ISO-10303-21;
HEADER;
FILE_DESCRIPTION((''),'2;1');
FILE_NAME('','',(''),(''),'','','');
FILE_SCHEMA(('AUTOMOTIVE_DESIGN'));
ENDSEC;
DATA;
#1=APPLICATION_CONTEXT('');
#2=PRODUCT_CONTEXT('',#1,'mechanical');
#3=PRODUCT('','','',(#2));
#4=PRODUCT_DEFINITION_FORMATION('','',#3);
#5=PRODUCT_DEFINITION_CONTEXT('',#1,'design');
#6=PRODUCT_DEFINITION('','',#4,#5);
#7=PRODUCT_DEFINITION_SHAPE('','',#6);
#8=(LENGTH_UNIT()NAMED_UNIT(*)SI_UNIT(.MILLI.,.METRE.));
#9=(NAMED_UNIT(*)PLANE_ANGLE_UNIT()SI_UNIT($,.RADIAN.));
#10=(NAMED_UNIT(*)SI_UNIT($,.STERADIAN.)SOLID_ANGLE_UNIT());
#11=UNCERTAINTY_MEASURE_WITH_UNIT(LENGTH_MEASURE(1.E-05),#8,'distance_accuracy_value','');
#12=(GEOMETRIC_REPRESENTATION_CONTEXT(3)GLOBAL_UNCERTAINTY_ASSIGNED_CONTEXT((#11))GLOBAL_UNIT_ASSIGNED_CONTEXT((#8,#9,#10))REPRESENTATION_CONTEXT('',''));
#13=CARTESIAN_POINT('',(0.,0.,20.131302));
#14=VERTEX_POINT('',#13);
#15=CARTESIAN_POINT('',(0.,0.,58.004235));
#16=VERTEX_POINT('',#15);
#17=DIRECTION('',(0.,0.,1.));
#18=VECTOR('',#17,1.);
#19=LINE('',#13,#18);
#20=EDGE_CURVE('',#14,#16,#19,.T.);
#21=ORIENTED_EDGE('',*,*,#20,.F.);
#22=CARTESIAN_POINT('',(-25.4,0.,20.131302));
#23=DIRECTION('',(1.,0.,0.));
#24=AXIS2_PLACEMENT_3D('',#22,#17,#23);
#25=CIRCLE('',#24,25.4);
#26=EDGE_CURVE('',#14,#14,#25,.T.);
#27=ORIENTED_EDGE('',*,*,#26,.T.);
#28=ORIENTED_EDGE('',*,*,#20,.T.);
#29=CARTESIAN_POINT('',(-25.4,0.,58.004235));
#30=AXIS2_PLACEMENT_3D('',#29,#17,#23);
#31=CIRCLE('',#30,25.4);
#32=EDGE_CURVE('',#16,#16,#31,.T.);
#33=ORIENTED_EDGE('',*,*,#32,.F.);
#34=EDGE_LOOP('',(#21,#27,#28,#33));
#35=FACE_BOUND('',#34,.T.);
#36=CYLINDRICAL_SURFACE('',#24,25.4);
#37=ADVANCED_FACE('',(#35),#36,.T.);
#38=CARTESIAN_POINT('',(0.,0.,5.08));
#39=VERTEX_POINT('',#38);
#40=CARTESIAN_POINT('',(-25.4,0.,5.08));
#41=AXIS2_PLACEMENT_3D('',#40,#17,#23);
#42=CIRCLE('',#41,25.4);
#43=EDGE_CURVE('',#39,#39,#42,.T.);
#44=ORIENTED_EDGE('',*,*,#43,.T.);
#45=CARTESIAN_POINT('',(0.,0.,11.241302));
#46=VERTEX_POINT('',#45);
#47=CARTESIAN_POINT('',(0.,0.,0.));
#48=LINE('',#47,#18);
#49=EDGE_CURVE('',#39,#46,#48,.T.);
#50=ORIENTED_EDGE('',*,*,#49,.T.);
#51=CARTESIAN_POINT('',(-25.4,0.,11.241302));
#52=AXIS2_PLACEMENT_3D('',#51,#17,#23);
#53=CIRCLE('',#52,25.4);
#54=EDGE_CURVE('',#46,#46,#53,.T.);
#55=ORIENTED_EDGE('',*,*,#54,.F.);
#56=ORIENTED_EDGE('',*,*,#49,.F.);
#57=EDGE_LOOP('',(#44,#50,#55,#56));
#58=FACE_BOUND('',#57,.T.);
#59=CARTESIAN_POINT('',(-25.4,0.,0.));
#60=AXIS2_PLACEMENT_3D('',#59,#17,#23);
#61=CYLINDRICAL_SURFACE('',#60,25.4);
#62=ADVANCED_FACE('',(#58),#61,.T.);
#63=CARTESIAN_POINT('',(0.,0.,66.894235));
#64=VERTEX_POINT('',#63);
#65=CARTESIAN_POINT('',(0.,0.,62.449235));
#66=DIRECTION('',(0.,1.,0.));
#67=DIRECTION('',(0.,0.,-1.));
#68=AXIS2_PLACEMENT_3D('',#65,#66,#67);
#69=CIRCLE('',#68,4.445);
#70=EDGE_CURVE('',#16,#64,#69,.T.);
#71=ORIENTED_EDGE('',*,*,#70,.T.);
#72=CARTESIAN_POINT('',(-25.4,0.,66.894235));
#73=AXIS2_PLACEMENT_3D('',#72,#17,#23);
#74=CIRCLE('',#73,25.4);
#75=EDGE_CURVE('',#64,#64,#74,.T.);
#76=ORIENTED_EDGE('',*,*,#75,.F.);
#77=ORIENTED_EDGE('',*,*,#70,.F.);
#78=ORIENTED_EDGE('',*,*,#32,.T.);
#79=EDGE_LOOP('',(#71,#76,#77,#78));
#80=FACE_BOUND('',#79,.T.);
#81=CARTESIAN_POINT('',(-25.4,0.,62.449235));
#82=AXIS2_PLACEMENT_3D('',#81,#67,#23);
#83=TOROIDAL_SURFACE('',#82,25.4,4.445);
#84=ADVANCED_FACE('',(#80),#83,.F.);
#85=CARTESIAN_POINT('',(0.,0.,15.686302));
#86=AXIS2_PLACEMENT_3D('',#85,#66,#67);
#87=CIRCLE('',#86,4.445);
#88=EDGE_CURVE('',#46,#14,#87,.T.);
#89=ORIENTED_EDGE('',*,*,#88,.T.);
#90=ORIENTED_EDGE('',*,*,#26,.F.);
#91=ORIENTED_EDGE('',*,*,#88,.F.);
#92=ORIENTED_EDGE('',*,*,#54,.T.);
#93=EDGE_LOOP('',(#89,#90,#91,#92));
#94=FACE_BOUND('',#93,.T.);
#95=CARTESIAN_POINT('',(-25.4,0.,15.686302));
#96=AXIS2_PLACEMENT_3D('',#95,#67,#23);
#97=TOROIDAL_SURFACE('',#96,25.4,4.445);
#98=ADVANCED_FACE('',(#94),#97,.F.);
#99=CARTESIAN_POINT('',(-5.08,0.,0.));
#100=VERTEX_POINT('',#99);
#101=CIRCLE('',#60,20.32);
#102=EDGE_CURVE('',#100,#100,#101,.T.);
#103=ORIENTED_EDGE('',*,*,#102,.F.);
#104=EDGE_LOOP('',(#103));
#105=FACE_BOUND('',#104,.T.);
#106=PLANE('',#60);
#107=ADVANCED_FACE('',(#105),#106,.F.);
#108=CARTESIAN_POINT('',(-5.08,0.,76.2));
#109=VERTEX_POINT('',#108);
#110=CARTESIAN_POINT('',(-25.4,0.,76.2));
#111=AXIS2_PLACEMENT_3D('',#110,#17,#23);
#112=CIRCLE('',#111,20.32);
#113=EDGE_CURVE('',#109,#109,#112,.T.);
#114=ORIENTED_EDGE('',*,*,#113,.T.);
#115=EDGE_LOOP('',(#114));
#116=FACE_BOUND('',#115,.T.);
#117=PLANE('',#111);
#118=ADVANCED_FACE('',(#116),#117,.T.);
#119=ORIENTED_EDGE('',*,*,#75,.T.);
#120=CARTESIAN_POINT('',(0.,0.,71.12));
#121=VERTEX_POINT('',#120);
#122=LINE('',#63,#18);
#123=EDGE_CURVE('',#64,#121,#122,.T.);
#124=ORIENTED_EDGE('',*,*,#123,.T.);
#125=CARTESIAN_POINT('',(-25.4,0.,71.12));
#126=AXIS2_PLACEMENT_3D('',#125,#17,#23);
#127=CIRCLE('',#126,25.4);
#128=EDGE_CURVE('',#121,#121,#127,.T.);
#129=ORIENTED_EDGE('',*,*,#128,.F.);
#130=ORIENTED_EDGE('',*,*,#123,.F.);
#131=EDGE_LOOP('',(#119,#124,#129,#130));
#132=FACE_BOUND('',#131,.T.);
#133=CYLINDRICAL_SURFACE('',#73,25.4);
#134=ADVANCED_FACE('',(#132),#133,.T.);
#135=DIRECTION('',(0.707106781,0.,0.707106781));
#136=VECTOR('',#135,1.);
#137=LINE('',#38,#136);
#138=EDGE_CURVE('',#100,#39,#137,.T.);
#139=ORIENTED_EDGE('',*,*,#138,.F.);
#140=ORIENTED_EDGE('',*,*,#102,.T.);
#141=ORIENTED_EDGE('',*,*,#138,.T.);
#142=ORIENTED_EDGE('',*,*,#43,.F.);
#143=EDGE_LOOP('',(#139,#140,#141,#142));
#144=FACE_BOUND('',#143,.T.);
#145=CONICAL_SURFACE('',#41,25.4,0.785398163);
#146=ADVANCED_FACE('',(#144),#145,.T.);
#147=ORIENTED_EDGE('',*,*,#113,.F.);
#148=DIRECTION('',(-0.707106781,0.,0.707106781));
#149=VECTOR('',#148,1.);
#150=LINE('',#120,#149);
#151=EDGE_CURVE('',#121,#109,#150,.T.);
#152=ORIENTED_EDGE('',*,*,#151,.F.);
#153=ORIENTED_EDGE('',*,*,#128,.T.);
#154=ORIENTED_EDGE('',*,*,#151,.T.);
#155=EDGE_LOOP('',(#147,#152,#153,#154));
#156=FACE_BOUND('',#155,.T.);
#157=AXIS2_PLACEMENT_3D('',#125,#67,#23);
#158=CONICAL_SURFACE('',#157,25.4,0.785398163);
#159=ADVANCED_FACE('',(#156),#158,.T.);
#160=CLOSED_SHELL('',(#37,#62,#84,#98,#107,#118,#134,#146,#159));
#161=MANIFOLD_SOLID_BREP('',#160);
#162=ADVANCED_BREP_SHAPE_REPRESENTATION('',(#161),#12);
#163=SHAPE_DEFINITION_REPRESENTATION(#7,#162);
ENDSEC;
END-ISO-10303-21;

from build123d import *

# Parameters (mm, degrees)
F2_SIZE = 5.08


with BuildPart() as f1:
    # F0 (on Front) → F1 (revolve)
    with BuildSketch(Plane.XZ):
        with BuildLine():
            Line((-25.4, 0), (0, 0))
            Line((0, 0), (0, 11.241302))
            ThreePointArc((0, 11.241302), (-4.445, 15.686302), (0, 20.131302))
            Line((0, 20.131302), (0, 58.004235))
            ThreePointArc((0, 58.004235), (-4.445, 62.449235), (0, 66.894235))
            Line((0, 66.894235), (0, 76.2))
            Line((0, 76.2), (-25.4, 76.2))
            Line((-25.4, 76.2), (-25.4, 0))
        make_face()
    revolve(axis=Axis((-25.4, 0, 38.1), (0, 0, 1)))

    # F2
    f2_edges = [f1.edges().sort_by_distance(p)[0] for p in [
        (-50.8, 0, 0),
        (-50.8, 0, 76.2),
    ]]
    chamfer(f2_edges, length=F2_SIZE)


solid = f1.part
